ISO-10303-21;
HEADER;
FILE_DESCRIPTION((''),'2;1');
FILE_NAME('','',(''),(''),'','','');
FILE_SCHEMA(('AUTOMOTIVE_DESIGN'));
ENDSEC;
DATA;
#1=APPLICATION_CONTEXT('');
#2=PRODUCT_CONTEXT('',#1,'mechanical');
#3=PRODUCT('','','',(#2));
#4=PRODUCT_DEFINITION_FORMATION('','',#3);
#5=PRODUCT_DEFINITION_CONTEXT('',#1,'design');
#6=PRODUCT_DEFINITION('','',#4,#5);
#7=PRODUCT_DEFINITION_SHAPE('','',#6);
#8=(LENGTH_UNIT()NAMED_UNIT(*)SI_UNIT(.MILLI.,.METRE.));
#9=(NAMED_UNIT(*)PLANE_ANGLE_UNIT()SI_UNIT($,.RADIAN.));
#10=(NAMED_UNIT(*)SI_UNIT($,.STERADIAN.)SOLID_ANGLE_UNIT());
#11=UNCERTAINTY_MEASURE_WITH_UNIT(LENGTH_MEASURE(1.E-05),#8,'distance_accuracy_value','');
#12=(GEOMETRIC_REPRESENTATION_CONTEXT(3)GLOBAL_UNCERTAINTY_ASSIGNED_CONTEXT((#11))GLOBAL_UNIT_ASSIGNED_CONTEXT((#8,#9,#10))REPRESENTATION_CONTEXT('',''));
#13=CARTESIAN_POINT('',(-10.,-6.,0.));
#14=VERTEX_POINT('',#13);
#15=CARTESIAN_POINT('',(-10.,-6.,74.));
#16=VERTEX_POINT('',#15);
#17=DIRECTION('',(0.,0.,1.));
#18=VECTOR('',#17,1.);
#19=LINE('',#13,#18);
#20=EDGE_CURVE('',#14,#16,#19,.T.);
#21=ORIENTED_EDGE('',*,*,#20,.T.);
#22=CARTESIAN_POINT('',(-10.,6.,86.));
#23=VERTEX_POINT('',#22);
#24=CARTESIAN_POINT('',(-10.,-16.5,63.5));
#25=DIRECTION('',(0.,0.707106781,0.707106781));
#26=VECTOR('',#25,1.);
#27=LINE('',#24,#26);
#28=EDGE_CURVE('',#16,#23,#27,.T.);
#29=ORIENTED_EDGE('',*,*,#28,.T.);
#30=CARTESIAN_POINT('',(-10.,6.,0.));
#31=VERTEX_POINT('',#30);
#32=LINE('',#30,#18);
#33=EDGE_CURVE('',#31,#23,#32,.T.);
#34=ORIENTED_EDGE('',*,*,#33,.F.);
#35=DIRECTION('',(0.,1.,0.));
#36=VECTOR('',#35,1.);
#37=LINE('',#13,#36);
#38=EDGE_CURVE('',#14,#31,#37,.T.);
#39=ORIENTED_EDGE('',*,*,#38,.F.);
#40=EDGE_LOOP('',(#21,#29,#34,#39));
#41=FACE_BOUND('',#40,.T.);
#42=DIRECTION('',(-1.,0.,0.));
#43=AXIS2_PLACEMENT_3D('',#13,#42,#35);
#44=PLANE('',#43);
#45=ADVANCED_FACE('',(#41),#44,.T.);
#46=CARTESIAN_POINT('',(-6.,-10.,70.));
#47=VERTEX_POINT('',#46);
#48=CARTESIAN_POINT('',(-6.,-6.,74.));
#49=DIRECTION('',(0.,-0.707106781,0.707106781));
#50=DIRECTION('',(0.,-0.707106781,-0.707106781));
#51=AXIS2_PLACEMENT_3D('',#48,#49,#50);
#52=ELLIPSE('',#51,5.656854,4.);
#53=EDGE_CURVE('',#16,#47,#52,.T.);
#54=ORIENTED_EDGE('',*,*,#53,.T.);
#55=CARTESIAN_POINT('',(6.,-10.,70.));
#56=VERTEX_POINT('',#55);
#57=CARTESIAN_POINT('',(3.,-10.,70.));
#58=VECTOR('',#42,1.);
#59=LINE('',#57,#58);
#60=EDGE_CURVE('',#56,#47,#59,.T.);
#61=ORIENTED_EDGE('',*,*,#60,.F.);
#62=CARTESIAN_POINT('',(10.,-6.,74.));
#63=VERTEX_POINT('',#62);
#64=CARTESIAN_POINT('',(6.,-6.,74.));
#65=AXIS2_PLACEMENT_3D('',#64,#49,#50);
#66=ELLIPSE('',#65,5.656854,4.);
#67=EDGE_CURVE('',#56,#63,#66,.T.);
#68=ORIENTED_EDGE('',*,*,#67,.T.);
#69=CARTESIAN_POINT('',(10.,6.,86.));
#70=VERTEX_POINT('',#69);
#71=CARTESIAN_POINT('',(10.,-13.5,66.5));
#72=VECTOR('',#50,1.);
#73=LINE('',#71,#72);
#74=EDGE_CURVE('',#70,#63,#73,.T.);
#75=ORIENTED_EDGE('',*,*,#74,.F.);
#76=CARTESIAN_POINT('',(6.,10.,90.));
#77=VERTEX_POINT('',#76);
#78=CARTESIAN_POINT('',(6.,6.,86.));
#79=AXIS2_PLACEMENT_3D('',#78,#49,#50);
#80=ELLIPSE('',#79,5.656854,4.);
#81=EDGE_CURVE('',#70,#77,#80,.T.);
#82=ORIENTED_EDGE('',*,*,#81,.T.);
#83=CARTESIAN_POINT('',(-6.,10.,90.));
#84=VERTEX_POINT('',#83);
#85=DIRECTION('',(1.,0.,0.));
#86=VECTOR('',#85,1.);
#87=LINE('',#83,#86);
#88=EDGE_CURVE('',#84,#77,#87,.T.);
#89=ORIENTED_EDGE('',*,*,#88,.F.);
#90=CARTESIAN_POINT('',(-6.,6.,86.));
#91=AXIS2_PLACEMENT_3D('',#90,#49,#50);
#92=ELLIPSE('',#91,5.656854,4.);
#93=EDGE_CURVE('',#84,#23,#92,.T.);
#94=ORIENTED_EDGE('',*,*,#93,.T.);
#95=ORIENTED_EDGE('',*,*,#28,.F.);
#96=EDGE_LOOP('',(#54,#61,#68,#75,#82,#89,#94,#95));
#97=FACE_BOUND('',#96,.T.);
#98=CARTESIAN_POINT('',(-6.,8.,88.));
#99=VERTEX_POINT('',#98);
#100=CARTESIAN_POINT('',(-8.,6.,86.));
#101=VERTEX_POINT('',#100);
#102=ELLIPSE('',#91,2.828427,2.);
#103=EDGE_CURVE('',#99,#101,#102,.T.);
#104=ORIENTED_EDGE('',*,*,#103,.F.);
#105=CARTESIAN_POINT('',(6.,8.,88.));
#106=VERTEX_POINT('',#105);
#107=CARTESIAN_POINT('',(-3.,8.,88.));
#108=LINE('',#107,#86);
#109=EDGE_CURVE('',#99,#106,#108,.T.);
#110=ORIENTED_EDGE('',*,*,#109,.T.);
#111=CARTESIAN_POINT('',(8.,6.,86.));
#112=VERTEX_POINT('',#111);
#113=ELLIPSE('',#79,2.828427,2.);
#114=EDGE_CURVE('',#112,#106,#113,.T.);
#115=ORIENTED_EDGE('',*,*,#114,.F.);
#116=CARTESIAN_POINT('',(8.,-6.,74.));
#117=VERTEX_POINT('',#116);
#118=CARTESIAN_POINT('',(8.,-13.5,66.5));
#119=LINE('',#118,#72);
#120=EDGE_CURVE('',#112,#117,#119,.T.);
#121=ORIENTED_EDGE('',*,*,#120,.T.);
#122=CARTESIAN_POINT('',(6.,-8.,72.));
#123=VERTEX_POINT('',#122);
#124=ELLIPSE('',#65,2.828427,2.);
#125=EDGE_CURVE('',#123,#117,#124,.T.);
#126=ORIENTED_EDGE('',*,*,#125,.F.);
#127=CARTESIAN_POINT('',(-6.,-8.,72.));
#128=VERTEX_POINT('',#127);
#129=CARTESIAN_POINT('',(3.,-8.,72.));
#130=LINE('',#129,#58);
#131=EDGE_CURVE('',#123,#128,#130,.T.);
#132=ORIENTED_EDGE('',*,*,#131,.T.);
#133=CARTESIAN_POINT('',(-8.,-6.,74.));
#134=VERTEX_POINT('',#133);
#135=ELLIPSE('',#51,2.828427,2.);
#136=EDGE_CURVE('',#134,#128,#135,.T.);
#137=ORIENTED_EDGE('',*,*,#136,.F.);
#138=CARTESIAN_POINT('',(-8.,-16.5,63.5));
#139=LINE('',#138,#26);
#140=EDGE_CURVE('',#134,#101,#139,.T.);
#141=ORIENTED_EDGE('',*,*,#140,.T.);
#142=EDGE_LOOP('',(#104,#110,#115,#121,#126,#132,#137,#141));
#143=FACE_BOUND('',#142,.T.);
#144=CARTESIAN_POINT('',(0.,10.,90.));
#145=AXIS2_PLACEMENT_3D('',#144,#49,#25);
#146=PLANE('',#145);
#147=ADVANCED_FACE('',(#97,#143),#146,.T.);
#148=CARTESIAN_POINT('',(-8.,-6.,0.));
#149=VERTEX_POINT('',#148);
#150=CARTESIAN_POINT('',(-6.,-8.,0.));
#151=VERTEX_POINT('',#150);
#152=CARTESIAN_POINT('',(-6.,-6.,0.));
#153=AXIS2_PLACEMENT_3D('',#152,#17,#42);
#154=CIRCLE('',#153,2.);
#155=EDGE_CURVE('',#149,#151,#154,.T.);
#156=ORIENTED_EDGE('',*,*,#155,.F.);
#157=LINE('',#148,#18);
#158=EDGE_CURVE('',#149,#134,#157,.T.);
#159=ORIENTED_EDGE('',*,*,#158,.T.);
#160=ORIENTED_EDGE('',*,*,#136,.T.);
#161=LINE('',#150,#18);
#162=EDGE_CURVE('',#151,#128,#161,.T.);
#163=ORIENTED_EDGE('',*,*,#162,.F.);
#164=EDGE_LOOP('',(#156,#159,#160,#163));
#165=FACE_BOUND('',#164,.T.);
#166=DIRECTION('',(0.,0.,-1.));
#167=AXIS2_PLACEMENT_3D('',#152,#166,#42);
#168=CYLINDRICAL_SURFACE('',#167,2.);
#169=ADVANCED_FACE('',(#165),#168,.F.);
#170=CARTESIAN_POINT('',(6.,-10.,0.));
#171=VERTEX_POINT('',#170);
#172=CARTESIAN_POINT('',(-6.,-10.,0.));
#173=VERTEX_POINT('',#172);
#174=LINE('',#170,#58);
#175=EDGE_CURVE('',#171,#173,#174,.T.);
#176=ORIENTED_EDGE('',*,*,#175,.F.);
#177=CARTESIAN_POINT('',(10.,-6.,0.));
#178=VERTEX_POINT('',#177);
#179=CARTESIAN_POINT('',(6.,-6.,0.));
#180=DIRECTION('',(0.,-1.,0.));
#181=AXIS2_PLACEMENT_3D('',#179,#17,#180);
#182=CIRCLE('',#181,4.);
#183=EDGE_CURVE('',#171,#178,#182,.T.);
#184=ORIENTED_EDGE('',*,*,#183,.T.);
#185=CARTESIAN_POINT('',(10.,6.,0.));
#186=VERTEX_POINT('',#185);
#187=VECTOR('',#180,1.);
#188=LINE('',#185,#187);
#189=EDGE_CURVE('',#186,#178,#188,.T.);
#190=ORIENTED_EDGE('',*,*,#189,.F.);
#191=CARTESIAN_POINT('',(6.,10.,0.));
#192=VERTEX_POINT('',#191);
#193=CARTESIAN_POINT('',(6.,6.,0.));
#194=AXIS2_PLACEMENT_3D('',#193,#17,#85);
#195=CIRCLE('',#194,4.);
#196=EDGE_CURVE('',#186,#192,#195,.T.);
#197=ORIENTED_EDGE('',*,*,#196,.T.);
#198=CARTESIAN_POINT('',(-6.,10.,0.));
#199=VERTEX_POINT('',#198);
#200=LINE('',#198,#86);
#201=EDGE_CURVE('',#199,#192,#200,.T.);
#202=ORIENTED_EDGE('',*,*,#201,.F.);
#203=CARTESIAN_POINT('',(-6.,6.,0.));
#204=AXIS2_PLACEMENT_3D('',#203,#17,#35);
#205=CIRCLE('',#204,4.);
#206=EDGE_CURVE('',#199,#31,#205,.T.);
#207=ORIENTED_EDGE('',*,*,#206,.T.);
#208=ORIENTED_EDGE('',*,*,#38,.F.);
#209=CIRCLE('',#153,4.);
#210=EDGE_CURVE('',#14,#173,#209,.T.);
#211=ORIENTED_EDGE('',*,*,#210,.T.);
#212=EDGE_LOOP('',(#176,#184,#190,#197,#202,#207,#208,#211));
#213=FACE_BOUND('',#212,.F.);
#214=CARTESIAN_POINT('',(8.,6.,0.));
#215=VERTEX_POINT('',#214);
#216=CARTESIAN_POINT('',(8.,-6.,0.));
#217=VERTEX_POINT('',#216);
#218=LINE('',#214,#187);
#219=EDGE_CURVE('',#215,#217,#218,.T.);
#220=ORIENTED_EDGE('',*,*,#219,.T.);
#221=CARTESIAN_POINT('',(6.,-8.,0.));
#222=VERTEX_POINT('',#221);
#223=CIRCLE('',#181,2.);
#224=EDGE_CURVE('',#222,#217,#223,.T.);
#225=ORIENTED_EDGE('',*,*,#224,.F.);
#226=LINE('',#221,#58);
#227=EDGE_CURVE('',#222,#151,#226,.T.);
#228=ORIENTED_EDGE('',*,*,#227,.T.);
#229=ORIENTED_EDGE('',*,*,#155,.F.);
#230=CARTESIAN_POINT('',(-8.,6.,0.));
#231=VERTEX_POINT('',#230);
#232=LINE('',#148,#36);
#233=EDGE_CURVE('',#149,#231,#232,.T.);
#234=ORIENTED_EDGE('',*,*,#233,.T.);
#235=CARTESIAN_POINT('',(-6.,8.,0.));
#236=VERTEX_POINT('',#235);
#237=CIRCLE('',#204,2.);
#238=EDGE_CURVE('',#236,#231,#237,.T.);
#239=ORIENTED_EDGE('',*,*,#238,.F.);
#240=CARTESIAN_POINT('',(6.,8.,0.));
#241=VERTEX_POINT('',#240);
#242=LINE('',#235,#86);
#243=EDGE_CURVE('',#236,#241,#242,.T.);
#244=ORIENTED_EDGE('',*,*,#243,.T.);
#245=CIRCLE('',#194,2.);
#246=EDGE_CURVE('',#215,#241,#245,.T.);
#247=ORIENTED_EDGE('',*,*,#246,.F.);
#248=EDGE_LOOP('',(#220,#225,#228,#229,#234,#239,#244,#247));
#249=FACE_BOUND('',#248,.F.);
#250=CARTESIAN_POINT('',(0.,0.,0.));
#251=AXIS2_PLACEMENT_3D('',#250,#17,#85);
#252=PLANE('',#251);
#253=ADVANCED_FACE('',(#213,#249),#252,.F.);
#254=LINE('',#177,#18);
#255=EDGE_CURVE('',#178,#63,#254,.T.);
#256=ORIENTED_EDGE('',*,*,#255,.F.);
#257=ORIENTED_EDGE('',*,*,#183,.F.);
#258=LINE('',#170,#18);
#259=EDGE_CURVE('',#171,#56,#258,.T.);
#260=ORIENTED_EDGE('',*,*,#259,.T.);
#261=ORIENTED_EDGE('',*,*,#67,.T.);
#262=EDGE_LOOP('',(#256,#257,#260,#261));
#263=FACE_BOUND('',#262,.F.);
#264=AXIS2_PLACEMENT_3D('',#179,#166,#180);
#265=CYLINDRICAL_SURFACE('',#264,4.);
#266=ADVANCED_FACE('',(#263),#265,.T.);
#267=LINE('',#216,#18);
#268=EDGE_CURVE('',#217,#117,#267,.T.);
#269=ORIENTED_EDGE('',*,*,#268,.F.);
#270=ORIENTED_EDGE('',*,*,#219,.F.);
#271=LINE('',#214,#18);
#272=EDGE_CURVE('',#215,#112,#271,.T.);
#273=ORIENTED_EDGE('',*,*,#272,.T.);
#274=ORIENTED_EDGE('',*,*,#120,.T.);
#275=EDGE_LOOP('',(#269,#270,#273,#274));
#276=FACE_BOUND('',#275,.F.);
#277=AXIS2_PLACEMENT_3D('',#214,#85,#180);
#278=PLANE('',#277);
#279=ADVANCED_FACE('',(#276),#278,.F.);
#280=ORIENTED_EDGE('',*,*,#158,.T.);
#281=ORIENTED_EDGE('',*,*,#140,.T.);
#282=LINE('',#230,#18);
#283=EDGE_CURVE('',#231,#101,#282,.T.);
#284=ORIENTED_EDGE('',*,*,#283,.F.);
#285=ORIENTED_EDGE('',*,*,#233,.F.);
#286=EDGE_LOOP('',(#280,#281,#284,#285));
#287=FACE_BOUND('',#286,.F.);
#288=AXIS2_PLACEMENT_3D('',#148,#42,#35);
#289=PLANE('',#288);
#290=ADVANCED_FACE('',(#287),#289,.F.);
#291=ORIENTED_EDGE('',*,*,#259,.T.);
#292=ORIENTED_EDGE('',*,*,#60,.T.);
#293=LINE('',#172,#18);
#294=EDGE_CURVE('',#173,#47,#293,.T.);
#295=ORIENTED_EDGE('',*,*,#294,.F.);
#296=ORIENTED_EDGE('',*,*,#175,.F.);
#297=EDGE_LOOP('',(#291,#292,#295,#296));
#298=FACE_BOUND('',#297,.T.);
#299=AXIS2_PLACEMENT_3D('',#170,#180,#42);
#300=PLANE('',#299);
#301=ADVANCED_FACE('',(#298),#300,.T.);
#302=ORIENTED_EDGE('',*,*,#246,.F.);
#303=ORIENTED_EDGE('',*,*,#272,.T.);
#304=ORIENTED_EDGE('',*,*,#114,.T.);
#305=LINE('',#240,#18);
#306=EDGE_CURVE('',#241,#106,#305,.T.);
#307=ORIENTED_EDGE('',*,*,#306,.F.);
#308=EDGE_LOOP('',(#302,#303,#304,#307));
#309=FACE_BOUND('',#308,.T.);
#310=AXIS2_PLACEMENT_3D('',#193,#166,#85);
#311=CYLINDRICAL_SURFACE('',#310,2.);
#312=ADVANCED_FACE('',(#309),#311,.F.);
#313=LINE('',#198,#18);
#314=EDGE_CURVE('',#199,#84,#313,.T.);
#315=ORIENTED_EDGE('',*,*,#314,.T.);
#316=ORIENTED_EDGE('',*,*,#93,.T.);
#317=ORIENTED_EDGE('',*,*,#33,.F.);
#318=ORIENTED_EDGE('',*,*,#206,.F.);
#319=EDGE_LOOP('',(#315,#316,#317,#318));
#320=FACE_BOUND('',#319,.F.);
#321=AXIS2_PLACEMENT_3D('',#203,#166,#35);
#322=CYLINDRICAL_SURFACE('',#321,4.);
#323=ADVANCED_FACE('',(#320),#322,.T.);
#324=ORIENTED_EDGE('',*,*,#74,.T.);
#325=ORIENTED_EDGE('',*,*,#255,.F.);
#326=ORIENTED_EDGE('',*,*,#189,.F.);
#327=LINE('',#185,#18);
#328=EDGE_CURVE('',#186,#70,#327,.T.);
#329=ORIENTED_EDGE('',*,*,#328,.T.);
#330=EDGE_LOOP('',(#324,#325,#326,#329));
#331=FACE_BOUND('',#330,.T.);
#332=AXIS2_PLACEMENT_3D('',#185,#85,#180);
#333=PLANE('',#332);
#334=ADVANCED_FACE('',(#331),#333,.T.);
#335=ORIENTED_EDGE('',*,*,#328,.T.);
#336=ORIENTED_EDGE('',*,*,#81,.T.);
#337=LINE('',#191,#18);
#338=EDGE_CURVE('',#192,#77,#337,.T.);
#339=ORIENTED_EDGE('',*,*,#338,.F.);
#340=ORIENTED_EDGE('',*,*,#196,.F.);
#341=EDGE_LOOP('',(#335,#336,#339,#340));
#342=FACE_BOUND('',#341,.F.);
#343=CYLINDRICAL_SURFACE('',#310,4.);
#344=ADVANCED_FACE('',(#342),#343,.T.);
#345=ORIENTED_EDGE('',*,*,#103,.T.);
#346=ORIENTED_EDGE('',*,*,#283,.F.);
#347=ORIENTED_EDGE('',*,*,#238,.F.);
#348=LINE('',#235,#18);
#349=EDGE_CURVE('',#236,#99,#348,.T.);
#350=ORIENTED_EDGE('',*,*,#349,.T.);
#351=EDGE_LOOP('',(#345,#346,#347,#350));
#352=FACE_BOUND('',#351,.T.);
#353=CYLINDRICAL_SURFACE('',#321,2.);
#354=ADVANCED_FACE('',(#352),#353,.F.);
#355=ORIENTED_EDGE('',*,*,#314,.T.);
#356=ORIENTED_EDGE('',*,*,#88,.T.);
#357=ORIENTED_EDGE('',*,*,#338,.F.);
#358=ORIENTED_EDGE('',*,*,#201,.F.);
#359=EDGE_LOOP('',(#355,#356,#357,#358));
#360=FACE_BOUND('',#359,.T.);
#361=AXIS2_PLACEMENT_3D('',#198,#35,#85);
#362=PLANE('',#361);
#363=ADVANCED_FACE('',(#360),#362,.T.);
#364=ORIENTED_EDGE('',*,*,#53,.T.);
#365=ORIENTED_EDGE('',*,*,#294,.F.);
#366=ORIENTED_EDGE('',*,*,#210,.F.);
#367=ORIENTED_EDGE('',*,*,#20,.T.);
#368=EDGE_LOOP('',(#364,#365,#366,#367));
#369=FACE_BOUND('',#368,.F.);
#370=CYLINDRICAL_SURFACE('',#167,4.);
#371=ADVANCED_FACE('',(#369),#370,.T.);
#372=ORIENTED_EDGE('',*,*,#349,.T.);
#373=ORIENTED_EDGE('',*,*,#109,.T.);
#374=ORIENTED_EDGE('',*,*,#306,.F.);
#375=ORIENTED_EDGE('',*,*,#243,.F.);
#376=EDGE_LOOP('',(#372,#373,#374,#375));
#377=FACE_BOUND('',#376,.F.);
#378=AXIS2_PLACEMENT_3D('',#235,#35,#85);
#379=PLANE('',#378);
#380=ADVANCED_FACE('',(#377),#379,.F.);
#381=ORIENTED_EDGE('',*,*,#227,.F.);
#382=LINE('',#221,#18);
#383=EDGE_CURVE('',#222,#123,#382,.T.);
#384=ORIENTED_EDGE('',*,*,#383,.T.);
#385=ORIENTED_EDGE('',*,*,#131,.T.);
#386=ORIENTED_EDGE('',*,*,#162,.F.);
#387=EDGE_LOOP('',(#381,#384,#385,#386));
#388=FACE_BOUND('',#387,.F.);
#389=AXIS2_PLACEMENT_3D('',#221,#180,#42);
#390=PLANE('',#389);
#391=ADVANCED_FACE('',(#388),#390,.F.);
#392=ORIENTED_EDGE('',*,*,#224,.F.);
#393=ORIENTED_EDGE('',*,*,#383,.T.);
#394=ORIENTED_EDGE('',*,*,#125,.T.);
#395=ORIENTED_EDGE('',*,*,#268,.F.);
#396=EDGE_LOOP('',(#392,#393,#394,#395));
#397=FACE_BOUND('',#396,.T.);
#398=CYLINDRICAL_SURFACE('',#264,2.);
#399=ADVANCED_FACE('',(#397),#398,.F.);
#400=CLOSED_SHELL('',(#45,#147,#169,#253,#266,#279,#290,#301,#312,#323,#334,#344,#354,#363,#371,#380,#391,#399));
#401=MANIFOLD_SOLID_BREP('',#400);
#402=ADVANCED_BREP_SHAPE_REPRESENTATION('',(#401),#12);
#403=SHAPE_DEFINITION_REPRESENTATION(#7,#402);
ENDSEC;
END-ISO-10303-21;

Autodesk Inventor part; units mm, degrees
ref_plane "Start Plane" through (0, 0, 0) normal (0, 0, 1) x (1, 0, 0)
ref_plane "End Plane" through (0, 0, 90) normal (0, 0, 1) x (1, 0, 0)
sketch "Sketch" plane through (0, 0, 0) normal (0, 0, 1) x (1, 0, 0)
  line L0 (-10, -6) -> (-10, 6)
  line L1 (-6, 10) -> (6, 10)
  line L2 (10, 6) -> (10, -6)
  line L3 (6, -10) -> (-6, -10)
  arc A0 (-10, -6) -> (-6, -10) centre (-6, -6) ccw
  arc A1 (10, 6) -> (6, 10) centre (6, 6) ccw
  arc A2 (-6, 10) -> (-10, 6) centre (-6, 6) ccw
  arc A3 (6, -10) -> (10, -6) centre (6, -6) ccw
  arc A4 (-6, 8) -> (-8, 6) centre (-6, 6) ccw
  line L4 (-6, 8) -> (6, 8)
  arc A5 (8, 6) -> (6, 8) centre (6, 6) ccw
  line L5 (8, 6) -> (8, -6)
  arc A6 (6, -8) -> (8, -6) centre (6, -6) ccw
  line L6 (6, -8) -> (-6, -8)
  arc A7 (-8, -6) -> (-6, -8) centre (-6, -6) ccw
  line L7 (-8, -6) -> (-8, 6)
  line L8 (0, 15.1598) -> (0, -15.1598) construction
  line L9 (-15.1598, 0) -> (15.1598, 0) construction
  dimension "d7" = 4
  dimension "d9" = 20
  dimension "d11" = 20
  dimension "d12" = 2
  dimension "d15" = 10
  dimension "d16" = 10
extrude "Body" add sketch "Sketch" along normal up to surface (90 mm away) from surface at 0
sketch "Sketch3" plane through (0, 0, 0) normal (0, 0, 1) x (1, 0, 0)
  line L0 (0, 0) -> (10, 0)
ref_plane "Work Plane3" through (0, 0, 0) normal (0, -1, 0) x (1, 0, 0)
ref_plane "Work Plane4" through (0, 10, 90) normal (0, -0.7071, 0.7071) x (1, 0, 0)
split "Split1" plane through (0, 10, 90) removes the side toward (0, -0.7071, 0.7071)
sketch "Sketch4" plane through (0, 0, 0) normal (0, -1, 0) x (1, 0, 0)
  line L0 (-2, 0) -> (12, 0) projected
  line L1 (-2, 90) -> (12, 90) projected
  dimension "d18" = 90
equation "\"d7\" = G_IR"
equation "\"d9\" = G_W"
equation "\"d11\" = G_H"
equation "\"d12\" = G_T"
equation "\"d15\" = 0.5 * d9"
equation "\"d16\" = 0.5 * d11"
equation "\"d3\" = G_L"
equation "\"G_W\" = 20"
equation "\"G_H\" = 20"
equation "\"G_T\" = 2"
equation "\"G_IR\" = 4"
equation "\"G_L\" = d18"
equation "\"G_OFFSET_START\" = 0"
properties part number "ISO 10799-2 - 20x20x2 - 90" material "Steel"
